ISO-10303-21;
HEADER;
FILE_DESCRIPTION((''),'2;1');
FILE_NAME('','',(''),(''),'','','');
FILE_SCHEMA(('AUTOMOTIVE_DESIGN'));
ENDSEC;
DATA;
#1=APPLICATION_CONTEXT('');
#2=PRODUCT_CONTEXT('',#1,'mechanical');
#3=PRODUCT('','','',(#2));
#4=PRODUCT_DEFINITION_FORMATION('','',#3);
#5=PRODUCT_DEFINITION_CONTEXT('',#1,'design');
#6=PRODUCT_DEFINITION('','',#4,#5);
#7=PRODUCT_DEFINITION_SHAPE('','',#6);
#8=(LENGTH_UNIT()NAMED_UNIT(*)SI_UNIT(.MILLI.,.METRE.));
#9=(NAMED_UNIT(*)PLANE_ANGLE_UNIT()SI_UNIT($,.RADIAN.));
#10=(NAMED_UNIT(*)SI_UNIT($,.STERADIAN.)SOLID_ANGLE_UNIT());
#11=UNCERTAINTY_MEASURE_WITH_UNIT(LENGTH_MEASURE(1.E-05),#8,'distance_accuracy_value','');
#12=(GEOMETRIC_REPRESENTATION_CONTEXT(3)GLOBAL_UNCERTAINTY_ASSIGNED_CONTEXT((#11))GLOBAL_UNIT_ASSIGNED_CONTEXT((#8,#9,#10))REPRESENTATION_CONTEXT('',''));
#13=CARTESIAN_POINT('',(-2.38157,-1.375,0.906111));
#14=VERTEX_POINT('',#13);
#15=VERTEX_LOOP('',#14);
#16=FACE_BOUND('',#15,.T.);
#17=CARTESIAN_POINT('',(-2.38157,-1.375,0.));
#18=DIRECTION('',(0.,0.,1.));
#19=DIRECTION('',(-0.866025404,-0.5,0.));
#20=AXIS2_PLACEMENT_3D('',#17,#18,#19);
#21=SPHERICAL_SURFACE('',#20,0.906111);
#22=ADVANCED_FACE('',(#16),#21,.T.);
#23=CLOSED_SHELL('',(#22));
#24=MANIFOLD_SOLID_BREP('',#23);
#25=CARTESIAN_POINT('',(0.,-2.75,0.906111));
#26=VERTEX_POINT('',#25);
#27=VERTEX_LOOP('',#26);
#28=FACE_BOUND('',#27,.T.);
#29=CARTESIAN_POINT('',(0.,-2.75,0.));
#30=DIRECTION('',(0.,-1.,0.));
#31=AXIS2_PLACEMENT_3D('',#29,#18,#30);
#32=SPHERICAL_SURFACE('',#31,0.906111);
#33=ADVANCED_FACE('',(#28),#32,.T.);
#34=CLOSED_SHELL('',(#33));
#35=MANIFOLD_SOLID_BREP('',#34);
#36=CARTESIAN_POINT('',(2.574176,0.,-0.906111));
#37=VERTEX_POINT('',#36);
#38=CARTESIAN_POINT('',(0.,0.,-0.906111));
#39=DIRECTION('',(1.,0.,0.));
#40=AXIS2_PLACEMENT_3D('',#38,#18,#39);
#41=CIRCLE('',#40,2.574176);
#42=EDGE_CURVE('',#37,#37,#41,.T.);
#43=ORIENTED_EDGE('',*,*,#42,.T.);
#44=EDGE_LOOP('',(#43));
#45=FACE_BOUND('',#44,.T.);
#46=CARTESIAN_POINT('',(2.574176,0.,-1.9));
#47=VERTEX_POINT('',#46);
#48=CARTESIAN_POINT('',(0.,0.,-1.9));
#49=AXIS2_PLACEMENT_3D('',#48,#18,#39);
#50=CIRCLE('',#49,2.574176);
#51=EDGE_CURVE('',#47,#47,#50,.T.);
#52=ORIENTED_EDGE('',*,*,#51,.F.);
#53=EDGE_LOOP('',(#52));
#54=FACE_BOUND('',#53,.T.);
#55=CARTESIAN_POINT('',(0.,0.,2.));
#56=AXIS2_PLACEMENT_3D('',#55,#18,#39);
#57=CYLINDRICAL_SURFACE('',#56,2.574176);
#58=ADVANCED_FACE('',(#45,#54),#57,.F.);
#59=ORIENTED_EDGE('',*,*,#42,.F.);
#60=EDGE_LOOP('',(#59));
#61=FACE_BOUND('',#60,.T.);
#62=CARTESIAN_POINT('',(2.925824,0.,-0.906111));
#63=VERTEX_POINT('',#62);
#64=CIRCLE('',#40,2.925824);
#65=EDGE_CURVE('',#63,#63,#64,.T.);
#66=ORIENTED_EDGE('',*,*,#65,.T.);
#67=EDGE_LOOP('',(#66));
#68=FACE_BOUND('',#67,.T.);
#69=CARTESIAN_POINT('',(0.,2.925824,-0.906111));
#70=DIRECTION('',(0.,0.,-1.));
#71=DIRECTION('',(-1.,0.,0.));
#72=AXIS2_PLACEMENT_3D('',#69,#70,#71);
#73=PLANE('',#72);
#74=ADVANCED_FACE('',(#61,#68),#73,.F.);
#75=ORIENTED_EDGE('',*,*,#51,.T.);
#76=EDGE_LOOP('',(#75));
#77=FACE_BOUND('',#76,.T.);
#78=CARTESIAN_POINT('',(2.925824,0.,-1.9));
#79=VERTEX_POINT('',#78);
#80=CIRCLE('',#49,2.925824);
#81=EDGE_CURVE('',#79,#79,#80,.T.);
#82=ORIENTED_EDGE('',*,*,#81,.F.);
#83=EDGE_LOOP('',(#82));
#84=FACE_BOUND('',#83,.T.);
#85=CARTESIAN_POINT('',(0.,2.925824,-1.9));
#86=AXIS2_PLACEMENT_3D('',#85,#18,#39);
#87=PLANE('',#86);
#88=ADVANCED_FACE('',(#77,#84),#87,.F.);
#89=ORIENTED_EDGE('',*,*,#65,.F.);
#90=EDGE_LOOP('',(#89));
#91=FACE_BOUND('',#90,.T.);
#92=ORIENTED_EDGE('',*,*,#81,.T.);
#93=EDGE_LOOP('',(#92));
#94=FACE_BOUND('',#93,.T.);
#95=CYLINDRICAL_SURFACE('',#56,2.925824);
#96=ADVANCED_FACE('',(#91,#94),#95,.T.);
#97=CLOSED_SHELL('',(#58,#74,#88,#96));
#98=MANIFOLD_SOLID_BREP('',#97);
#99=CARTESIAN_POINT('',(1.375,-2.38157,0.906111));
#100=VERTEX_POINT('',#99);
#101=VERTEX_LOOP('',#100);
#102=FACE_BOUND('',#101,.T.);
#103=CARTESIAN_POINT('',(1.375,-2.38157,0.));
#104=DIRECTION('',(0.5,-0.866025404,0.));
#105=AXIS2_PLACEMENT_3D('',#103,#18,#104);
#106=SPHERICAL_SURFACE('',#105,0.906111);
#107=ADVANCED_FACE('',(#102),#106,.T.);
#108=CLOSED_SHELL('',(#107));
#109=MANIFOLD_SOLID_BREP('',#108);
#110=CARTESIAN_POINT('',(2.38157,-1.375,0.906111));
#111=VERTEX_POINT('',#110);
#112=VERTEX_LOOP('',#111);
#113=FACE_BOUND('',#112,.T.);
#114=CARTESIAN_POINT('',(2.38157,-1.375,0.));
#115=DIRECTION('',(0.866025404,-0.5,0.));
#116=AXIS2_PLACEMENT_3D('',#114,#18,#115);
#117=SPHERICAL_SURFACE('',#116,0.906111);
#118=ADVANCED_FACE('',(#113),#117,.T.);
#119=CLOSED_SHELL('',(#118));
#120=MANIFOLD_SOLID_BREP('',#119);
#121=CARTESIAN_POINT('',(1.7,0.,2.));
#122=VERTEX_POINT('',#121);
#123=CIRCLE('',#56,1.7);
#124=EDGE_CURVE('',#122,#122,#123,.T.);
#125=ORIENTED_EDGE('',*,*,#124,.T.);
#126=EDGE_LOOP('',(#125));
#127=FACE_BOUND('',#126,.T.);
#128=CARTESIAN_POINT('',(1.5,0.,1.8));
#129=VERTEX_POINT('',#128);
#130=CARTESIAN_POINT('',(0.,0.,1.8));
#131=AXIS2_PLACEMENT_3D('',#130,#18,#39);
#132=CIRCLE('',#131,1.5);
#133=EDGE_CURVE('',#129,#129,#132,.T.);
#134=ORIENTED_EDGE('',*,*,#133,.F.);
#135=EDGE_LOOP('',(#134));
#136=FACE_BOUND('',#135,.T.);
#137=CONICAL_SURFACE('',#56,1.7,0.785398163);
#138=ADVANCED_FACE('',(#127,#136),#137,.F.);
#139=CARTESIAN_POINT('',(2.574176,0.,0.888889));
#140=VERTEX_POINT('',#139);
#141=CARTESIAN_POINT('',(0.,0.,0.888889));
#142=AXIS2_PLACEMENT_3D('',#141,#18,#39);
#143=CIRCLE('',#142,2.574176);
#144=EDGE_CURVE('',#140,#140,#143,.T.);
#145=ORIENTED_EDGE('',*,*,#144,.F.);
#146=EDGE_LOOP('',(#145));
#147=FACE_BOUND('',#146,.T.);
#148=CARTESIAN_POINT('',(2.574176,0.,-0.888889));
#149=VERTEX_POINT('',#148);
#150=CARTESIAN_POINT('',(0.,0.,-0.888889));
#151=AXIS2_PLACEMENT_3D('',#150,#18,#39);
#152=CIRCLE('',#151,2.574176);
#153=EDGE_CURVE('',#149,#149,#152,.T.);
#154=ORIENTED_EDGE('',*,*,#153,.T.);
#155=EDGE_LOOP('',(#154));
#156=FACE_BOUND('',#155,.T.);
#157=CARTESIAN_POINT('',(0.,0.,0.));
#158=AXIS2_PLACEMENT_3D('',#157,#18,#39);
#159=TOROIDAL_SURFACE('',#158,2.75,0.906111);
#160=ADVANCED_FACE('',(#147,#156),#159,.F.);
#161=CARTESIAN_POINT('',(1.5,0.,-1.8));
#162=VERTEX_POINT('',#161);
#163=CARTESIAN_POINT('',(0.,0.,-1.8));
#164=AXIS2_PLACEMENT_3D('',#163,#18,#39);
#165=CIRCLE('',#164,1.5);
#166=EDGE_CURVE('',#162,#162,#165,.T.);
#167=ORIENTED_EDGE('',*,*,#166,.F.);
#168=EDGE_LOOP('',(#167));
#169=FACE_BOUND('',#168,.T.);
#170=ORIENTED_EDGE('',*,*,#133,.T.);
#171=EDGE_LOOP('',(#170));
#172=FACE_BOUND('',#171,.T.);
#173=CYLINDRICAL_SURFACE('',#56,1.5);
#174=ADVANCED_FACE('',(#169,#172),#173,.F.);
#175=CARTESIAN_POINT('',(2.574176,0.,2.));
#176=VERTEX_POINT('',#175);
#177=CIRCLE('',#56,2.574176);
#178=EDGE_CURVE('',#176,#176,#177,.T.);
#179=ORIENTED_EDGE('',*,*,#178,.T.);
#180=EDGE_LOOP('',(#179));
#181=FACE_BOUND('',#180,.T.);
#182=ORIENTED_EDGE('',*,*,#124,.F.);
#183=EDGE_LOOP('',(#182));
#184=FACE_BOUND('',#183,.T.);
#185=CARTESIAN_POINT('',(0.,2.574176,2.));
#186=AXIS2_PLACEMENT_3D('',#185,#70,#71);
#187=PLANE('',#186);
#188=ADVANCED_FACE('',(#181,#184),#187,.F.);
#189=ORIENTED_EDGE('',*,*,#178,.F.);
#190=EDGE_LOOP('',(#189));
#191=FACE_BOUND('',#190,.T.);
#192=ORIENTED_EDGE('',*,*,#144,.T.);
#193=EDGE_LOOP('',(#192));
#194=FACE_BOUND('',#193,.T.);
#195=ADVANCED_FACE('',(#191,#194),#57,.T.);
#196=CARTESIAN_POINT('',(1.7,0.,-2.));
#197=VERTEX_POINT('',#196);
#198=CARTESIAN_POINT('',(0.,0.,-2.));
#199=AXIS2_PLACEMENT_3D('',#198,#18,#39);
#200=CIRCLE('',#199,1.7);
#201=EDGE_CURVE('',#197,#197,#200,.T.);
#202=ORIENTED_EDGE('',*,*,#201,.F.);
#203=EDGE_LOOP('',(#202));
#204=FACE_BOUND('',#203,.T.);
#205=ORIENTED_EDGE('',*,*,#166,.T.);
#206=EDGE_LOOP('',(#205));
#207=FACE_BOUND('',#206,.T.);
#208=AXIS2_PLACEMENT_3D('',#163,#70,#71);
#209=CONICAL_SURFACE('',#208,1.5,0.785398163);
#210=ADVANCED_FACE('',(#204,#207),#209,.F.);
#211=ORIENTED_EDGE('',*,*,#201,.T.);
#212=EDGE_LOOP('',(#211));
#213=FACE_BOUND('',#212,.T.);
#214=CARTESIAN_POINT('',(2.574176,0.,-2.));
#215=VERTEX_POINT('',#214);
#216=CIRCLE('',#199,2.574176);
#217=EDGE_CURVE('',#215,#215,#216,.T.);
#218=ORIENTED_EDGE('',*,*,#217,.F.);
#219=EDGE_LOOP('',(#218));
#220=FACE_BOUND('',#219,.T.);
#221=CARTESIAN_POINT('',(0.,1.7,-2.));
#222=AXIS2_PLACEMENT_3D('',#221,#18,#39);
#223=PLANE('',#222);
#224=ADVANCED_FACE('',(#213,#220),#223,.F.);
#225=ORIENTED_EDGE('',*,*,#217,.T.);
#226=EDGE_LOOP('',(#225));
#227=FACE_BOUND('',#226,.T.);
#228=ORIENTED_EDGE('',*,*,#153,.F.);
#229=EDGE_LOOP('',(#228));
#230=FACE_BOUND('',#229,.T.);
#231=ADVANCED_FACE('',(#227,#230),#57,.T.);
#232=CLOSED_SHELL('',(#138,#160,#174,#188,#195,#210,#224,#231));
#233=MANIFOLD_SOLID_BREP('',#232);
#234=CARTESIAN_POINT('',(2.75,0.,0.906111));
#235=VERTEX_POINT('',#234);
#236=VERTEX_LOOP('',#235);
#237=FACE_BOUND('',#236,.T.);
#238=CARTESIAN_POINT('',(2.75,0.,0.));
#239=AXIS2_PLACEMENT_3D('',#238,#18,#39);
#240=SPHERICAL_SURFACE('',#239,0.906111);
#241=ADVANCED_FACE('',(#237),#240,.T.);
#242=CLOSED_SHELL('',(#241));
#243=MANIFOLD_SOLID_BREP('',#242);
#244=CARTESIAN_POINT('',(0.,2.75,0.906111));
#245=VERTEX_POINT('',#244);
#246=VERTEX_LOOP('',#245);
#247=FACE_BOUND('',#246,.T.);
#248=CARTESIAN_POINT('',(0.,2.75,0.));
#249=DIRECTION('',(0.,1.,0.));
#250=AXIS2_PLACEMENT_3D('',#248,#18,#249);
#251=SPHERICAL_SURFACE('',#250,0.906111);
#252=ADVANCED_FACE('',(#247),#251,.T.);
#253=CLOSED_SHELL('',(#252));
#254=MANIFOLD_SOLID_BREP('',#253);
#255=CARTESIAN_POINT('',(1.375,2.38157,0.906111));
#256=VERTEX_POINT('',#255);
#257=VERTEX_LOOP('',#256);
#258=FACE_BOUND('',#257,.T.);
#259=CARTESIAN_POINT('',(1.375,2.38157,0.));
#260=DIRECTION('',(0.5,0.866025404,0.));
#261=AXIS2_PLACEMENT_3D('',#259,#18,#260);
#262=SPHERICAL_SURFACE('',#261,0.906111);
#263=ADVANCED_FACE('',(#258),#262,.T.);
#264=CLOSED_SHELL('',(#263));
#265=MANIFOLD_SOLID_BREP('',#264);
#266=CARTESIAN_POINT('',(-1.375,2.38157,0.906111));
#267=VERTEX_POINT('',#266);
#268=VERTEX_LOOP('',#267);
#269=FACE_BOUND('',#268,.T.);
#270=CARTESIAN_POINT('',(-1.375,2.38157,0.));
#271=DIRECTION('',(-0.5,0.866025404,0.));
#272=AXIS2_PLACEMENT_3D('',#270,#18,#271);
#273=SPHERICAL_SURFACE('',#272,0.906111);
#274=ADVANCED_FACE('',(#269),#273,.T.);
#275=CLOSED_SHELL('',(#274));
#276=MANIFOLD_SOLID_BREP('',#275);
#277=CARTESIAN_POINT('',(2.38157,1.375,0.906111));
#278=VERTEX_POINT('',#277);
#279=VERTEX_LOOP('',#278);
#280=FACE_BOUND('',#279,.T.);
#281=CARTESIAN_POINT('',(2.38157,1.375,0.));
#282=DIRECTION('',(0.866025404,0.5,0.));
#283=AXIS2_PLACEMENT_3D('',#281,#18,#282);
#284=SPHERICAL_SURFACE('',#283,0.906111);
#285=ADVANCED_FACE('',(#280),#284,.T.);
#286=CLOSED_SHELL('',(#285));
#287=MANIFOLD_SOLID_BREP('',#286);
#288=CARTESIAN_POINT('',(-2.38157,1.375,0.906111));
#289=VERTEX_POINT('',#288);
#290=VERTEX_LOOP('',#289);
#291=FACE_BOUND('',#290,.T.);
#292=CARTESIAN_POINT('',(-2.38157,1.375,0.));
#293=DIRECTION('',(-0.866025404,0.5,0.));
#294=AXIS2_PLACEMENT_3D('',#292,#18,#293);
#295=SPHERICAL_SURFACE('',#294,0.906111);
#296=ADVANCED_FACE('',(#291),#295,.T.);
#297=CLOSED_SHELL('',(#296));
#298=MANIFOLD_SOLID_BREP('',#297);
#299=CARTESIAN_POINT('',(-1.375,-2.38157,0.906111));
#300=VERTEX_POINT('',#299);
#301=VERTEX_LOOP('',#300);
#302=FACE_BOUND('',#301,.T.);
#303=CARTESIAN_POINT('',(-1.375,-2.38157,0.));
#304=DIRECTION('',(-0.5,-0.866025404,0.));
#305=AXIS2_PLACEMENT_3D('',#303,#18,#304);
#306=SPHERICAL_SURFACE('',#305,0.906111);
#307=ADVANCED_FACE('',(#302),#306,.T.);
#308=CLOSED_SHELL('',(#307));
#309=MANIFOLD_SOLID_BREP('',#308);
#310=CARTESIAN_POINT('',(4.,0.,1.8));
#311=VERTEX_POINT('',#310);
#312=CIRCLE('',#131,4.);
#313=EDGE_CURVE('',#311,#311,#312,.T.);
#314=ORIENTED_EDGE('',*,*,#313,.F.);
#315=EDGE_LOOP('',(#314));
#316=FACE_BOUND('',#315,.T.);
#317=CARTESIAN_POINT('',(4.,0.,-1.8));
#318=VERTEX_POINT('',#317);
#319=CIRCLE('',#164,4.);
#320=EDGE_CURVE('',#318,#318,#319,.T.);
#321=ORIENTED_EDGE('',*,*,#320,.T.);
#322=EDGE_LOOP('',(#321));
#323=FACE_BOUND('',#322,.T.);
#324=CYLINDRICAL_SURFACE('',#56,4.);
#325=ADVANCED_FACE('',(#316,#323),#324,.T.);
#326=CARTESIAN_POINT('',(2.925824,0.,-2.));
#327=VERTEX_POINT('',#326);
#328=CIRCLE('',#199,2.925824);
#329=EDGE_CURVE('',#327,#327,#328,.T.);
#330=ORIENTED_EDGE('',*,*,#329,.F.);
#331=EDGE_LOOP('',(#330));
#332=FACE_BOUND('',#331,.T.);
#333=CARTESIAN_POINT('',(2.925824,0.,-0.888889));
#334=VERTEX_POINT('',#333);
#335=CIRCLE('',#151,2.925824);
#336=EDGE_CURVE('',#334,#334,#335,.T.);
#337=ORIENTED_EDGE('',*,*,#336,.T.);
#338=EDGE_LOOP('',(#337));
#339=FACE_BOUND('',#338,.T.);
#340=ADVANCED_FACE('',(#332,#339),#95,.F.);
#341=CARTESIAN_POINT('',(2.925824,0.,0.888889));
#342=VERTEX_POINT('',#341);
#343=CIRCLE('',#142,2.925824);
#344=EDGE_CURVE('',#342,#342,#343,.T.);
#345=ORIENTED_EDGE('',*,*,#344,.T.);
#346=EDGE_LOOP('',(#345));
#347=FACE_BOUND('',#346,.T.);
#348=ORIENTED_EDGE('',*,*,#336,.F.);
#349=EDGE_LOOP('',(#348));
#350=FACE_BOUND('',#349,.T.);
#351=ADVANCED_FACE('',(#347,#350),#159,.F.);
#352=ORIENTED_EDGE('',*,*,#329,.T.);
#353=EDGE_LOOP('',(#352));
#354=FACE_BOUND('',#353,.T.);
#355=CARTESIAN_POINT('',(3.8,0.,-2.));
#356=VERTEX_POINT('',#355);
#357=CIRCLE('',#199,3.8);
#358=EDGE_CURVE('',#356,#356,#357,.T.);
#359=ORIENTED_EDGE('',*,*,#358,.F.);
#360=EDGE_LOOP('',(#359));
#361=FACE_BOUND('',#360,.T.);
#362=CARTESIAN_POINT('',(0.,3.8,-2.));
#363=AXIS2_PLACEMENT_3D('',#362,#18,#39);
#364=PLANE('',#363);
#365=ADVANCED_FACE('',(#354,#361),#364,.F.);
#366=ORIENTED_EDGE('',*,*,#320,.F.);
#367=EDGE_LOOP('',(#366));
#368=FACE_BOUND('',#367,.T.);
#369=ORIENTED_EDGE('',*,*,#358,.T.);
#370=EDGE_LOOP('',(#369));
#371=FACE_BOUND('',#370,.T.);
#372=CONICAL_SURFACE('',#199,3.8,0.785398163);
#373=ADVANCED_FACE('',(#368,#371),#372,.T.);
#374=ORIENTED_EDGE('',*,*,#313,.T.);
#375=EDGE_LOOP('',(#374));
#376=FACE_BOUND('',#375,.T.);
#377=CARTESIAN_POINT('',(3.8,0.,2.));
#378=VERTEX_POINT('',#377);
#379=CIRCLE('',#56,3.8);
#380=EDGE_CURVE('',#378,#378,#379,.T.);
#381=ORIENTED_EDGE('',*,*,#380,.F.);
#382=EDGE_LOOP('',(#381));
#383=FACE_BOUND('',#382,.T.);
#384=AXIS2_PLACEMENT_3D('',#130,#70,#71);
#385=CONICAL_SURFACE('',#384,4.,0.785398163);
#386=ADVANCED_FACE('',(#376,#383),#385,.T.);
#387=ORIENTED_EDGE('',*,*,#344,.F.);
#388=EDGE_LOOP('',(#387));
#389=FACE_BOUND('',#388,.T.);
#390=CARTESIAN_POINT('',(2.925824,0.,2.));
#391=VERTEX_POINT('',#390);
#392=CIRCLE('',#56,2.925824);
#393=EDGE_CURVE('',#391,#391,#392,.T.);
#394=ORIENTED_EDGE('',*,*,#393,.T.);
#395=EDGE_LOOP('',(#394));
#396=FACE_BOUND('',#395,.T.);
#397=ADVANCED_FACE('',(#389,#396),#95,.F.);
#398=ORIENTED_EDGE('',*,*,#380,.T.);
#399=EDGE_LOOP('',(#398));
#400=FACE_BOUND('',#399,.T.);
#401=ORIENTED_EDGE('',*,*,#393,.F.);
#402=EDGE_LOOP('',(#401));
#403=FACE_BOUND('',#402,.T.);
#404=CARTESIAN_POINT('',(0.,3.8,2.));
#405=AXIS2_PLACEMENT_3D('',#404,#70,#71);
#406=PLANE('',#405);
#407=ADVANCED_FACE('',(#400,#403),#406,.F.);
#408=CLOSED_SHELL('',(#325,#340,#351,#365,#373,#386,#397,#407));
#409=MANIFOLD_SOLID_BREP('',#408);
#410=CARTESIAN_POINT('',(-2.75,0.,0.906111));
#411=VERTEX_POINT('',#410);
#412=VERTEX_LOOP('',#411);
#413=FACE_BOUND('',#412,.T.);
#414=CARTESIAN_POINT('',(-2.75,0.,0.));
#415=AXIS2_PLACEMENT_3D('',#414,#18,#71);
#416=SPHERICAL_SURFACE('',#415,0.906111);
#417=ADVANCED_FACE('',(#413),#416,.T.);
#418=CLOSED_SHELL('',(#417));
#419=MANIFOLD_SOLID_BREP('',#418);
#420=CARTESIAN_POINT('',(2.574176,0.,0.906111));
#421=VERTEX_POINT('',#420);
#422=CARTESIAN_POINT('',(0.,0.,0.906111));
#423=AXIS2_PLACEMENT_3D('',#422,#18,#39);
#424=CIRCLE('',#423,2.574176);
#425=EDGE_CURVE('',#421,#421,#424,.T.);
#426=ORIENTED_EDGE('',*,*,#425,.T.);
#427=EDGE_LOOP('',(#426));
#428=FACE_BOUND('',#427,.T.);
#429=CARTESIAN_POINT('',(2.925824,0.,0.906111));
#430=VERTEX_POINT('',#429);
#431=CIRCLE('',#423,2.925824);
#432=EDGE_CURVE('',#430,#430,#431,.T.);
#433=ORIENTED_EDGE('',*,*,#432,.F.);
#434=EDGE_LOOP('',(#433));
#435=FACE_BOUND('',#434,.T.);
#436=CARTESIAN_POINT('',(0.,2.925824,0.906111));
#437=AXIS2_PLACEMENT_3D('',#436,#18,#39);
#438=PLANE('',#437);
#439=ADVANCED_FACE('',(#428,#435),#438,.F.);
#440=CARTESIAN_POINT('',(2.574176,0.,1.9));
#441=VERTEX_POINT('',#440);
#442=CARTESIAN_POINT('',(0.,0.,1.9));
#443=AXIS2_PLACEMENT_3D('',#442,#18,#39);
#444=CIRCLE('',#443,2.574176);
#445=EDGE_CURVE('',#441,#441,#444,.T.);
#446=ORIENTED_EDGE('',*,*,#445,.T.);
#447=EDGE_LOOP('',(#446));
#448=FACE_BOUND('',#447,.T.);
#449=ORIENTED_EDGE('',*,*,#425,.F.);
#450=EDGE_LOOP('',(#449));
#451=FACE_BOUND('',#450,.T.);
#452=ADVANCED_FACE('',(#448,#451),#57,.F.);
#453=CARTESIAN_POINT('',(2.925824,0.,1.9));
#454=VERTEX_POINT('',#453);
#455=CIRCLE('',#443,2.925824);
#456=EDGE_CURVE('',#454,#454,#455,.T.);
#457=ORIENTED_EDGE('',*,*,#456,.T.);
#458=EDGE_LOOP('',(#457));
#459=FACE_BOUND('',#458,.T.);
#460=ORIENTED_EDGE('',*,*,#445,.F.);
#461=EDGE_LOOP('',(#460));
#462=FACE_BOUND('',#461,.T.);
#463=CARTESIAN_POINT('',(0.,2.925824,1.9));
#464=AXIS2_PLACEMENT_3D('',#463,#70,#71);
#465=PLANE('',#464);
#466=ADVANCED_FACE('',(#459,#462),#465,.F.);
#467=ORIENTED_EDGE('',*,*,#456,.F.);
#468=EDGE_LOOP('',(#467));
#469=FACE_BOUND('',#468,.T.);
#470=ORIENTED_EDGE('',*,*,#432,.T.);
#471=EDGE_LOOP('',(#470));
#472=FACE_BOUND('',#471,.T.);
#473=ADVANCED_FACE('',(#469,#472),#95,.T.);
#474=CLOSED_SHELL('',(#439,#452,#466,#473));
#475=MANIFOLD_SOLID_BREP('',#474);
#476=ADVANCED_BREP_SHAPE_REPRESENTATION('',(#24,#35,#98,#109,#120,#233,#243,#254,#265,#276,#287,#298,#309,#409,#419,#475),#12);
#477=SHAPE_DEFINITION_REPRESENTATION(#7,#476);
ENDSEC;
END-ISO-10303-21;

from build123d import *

# Parameters (mm, degrees)
CIRPATTERN1_COUNT = 12
SKETCH5_W         = 0.99388875
SKETCH5_H         = 0.351648352


with BuildPart() as part:
    # Sketch1 → Revolve1 (revolve)
    with BuildSketch(Plane(origin=(0, 0, 0), x_dir=(0, 0, -1), z_dir=(1, 0, 0))):
        with BuildLine():
            Line((1.8, 4), (-1.8, 4))
            Line((-1.8, 4), (-2, 3.8))
            Line((-2, 3.8), (-2, 2.925824176))
            Line((-2, 2.925824176), (-0.888888889, 2.925824176))
            ThreePointArc((-0.888888889, 2.925824176), (0, 3.65611125), (0.888888889, 2.925824176))
            Line((0.888888889, 2.925824176), (2, 2.925824176))
            Line((2, 2.925824176), (2, 3.8))
            Line((2, 3.8), (1.8, 4))
        make_face()
    revolve(axis=Axis((0, 0, 2), (0, 0, -1)))


with BuildPart() as body_2:
    # Sketch3 → Revolve3 (revolve)
    with BuildSketch(Plane(origin=(0, 0, 0), x_dir=(0, 0, -1), z_dir=(1, 0, 0))):
        with BuildLine():
            Line((-2, 2.574175824), (-0.888888889, 2.574175824))
            ThreePointArc((-0.888888889, 2.574175824), (0, 1.84388875), (0.888888889, 2.574175824))
            Line((0.888888889, 2.574175824), (2, 2.574175824))
            Line((2, 2.574175824), (2, 1.7))
            Line((2, 1.7), (1.8, 1.5))
            Line((1.8, 1.5), (-1.8, 1.5))
            Line((-1.8, 1.5), (-2, 1.7))
            Line((-2, 1.7), (-2, 2.574175824))
        make_face()
    revolve(axis=Axis((0, 0, 2), (0, 0, -1)))


with BuildPart() as body_3:
    # Sketch4 → Revolve4 (revolve)
    with BuildSketch(Plane(origin=(0, 0, 0), x_dir=(0, 0, -1), z_dir=(1, 0, 0))):
        with BuildLine():
            Line((-0.90611125, 2.75), (0.90611125, 2.75))
            ThreePointArc((0.90611125, 2.75), (0, 3.65611125), (-0.90611125, 2.75))
        make_face()
    revolve(axis=Axis((0, 2.75, 0.90611125), (0, 0, -1)))


with BuildPart() as cirpattern1_1:
    # CirPattern1: pattern copy
    add(body_3.part.rotate(Axis((0, 0, 0), (0, 0, 1)), 1 * 360 / CIRPATTERN1_COUNT))


with BuildPart() as cirpattern1_2:
    # CirPattern1: pattern copy
    add(body_3.part.rotate(Axis((0, 0, 0), (0, 0, 1)), 2 * 360 / CIRPATTERN1_COUNT))


with BuildPart() as cirpattern1_3:
    # CirPattern1: pattern copy
    add(body_3.part.rotate(Axis((0, 0, 0), (0, 0, 1)), 3 * 360 / CIRPATTERN1_COUNT))


with BuildPart() as cirpattern1_4:
    # CirPattern1: pattern copy
    add(body_3.part.rotate(Axis((0, 0, 0), (0, 0, 1)), 4 * 360 / CIRPATTERN1_COUNT))


with BuildPart() as cirpattern1_5:
    # CirPattern1: pattern copy
    add(body_3.part.rotate(Axis((0, 0, 0), (0, 0, 1)), 5 * 360 / CIRPATTERN1_COUNT))


with BuildPart() as cirpattern1_6:
    # CirPattern1: pattern copy
    add(body_3.part.rotate(Axis((0, 0, 0), (0, 0, 1)), 6 * 360 / CIRPATTERN1_COUNT))


with BuildPart() as cirpattern1_7:
    # CirPattern1: pattern copy
    add(body_3.part.rotate(Axis((0, 0, 0), (0, 0, 1)), 7 * 360 / CIRPATTERN1_COUNT))


with BuildPart() as cirpattern1_8:
    # CirPattern1: pattern copy
    add(body_3.part.rotate(Axis((0, 0, 0), (0, 0, 1)), 8 * 360 / CIRPATTERN1_COUNT))


with BuildPart() as cirpattern1_9:
    # CirPattern1: pattern copy
    add(body_3.part.rotate(Axis((0, 0, 0), (0, 0, 1)), 9 * 360 / CIRPATTERN1_COUNT))


with BuildPart() as cirpattern1_10:
    # CirPattern1: pattern copy
    add(body_3.part.rotate(Axis((0, 0, 0), (0, 0, 1)), 10 * 360 / CIRPATTERN1_COUNT))


with BuildPart() as cirpattern1_11:
    # CirPattern1: pattern copy
    add(body_3.part.rotate(Axis((0, 0, 0), (0, 0, 1)), 11 * 360 / CIRPATTERN1_COUNT))


with BuildPart() as body_15:
    # Sketch5 → Revolve5 (revolve)
    with BuildSketch(Plane(origin=(0, 0, 0), x_dir=(0, 0, -1), z_dir=(1, 0, 0))):
        with Locations((-1.403055625, 2.75)):
            Rectangle(SKETCH5_W, SKETCH5_H)
        with Locations((1.403055625, 2.75)):
            Rectangle(SKETCH5_W, SKETCH5_H)
    revolve(axis=Axis((0, 0, 2), (0, 0, -1)))


solid = Compound([part.part, body_2.part, body_3.part, cirpattern1_1.part, cirpattern1_2.part, cirpattern1_3.part, cirpattern1_4.part, cirpattern1_5.part, cirpattern1_6.part, cirpattern1_7.part, cirpattern1_8.part, cirpattern1_9.part, cirpattern1_10.part, cirpattern1_11.part, body_15.part])
